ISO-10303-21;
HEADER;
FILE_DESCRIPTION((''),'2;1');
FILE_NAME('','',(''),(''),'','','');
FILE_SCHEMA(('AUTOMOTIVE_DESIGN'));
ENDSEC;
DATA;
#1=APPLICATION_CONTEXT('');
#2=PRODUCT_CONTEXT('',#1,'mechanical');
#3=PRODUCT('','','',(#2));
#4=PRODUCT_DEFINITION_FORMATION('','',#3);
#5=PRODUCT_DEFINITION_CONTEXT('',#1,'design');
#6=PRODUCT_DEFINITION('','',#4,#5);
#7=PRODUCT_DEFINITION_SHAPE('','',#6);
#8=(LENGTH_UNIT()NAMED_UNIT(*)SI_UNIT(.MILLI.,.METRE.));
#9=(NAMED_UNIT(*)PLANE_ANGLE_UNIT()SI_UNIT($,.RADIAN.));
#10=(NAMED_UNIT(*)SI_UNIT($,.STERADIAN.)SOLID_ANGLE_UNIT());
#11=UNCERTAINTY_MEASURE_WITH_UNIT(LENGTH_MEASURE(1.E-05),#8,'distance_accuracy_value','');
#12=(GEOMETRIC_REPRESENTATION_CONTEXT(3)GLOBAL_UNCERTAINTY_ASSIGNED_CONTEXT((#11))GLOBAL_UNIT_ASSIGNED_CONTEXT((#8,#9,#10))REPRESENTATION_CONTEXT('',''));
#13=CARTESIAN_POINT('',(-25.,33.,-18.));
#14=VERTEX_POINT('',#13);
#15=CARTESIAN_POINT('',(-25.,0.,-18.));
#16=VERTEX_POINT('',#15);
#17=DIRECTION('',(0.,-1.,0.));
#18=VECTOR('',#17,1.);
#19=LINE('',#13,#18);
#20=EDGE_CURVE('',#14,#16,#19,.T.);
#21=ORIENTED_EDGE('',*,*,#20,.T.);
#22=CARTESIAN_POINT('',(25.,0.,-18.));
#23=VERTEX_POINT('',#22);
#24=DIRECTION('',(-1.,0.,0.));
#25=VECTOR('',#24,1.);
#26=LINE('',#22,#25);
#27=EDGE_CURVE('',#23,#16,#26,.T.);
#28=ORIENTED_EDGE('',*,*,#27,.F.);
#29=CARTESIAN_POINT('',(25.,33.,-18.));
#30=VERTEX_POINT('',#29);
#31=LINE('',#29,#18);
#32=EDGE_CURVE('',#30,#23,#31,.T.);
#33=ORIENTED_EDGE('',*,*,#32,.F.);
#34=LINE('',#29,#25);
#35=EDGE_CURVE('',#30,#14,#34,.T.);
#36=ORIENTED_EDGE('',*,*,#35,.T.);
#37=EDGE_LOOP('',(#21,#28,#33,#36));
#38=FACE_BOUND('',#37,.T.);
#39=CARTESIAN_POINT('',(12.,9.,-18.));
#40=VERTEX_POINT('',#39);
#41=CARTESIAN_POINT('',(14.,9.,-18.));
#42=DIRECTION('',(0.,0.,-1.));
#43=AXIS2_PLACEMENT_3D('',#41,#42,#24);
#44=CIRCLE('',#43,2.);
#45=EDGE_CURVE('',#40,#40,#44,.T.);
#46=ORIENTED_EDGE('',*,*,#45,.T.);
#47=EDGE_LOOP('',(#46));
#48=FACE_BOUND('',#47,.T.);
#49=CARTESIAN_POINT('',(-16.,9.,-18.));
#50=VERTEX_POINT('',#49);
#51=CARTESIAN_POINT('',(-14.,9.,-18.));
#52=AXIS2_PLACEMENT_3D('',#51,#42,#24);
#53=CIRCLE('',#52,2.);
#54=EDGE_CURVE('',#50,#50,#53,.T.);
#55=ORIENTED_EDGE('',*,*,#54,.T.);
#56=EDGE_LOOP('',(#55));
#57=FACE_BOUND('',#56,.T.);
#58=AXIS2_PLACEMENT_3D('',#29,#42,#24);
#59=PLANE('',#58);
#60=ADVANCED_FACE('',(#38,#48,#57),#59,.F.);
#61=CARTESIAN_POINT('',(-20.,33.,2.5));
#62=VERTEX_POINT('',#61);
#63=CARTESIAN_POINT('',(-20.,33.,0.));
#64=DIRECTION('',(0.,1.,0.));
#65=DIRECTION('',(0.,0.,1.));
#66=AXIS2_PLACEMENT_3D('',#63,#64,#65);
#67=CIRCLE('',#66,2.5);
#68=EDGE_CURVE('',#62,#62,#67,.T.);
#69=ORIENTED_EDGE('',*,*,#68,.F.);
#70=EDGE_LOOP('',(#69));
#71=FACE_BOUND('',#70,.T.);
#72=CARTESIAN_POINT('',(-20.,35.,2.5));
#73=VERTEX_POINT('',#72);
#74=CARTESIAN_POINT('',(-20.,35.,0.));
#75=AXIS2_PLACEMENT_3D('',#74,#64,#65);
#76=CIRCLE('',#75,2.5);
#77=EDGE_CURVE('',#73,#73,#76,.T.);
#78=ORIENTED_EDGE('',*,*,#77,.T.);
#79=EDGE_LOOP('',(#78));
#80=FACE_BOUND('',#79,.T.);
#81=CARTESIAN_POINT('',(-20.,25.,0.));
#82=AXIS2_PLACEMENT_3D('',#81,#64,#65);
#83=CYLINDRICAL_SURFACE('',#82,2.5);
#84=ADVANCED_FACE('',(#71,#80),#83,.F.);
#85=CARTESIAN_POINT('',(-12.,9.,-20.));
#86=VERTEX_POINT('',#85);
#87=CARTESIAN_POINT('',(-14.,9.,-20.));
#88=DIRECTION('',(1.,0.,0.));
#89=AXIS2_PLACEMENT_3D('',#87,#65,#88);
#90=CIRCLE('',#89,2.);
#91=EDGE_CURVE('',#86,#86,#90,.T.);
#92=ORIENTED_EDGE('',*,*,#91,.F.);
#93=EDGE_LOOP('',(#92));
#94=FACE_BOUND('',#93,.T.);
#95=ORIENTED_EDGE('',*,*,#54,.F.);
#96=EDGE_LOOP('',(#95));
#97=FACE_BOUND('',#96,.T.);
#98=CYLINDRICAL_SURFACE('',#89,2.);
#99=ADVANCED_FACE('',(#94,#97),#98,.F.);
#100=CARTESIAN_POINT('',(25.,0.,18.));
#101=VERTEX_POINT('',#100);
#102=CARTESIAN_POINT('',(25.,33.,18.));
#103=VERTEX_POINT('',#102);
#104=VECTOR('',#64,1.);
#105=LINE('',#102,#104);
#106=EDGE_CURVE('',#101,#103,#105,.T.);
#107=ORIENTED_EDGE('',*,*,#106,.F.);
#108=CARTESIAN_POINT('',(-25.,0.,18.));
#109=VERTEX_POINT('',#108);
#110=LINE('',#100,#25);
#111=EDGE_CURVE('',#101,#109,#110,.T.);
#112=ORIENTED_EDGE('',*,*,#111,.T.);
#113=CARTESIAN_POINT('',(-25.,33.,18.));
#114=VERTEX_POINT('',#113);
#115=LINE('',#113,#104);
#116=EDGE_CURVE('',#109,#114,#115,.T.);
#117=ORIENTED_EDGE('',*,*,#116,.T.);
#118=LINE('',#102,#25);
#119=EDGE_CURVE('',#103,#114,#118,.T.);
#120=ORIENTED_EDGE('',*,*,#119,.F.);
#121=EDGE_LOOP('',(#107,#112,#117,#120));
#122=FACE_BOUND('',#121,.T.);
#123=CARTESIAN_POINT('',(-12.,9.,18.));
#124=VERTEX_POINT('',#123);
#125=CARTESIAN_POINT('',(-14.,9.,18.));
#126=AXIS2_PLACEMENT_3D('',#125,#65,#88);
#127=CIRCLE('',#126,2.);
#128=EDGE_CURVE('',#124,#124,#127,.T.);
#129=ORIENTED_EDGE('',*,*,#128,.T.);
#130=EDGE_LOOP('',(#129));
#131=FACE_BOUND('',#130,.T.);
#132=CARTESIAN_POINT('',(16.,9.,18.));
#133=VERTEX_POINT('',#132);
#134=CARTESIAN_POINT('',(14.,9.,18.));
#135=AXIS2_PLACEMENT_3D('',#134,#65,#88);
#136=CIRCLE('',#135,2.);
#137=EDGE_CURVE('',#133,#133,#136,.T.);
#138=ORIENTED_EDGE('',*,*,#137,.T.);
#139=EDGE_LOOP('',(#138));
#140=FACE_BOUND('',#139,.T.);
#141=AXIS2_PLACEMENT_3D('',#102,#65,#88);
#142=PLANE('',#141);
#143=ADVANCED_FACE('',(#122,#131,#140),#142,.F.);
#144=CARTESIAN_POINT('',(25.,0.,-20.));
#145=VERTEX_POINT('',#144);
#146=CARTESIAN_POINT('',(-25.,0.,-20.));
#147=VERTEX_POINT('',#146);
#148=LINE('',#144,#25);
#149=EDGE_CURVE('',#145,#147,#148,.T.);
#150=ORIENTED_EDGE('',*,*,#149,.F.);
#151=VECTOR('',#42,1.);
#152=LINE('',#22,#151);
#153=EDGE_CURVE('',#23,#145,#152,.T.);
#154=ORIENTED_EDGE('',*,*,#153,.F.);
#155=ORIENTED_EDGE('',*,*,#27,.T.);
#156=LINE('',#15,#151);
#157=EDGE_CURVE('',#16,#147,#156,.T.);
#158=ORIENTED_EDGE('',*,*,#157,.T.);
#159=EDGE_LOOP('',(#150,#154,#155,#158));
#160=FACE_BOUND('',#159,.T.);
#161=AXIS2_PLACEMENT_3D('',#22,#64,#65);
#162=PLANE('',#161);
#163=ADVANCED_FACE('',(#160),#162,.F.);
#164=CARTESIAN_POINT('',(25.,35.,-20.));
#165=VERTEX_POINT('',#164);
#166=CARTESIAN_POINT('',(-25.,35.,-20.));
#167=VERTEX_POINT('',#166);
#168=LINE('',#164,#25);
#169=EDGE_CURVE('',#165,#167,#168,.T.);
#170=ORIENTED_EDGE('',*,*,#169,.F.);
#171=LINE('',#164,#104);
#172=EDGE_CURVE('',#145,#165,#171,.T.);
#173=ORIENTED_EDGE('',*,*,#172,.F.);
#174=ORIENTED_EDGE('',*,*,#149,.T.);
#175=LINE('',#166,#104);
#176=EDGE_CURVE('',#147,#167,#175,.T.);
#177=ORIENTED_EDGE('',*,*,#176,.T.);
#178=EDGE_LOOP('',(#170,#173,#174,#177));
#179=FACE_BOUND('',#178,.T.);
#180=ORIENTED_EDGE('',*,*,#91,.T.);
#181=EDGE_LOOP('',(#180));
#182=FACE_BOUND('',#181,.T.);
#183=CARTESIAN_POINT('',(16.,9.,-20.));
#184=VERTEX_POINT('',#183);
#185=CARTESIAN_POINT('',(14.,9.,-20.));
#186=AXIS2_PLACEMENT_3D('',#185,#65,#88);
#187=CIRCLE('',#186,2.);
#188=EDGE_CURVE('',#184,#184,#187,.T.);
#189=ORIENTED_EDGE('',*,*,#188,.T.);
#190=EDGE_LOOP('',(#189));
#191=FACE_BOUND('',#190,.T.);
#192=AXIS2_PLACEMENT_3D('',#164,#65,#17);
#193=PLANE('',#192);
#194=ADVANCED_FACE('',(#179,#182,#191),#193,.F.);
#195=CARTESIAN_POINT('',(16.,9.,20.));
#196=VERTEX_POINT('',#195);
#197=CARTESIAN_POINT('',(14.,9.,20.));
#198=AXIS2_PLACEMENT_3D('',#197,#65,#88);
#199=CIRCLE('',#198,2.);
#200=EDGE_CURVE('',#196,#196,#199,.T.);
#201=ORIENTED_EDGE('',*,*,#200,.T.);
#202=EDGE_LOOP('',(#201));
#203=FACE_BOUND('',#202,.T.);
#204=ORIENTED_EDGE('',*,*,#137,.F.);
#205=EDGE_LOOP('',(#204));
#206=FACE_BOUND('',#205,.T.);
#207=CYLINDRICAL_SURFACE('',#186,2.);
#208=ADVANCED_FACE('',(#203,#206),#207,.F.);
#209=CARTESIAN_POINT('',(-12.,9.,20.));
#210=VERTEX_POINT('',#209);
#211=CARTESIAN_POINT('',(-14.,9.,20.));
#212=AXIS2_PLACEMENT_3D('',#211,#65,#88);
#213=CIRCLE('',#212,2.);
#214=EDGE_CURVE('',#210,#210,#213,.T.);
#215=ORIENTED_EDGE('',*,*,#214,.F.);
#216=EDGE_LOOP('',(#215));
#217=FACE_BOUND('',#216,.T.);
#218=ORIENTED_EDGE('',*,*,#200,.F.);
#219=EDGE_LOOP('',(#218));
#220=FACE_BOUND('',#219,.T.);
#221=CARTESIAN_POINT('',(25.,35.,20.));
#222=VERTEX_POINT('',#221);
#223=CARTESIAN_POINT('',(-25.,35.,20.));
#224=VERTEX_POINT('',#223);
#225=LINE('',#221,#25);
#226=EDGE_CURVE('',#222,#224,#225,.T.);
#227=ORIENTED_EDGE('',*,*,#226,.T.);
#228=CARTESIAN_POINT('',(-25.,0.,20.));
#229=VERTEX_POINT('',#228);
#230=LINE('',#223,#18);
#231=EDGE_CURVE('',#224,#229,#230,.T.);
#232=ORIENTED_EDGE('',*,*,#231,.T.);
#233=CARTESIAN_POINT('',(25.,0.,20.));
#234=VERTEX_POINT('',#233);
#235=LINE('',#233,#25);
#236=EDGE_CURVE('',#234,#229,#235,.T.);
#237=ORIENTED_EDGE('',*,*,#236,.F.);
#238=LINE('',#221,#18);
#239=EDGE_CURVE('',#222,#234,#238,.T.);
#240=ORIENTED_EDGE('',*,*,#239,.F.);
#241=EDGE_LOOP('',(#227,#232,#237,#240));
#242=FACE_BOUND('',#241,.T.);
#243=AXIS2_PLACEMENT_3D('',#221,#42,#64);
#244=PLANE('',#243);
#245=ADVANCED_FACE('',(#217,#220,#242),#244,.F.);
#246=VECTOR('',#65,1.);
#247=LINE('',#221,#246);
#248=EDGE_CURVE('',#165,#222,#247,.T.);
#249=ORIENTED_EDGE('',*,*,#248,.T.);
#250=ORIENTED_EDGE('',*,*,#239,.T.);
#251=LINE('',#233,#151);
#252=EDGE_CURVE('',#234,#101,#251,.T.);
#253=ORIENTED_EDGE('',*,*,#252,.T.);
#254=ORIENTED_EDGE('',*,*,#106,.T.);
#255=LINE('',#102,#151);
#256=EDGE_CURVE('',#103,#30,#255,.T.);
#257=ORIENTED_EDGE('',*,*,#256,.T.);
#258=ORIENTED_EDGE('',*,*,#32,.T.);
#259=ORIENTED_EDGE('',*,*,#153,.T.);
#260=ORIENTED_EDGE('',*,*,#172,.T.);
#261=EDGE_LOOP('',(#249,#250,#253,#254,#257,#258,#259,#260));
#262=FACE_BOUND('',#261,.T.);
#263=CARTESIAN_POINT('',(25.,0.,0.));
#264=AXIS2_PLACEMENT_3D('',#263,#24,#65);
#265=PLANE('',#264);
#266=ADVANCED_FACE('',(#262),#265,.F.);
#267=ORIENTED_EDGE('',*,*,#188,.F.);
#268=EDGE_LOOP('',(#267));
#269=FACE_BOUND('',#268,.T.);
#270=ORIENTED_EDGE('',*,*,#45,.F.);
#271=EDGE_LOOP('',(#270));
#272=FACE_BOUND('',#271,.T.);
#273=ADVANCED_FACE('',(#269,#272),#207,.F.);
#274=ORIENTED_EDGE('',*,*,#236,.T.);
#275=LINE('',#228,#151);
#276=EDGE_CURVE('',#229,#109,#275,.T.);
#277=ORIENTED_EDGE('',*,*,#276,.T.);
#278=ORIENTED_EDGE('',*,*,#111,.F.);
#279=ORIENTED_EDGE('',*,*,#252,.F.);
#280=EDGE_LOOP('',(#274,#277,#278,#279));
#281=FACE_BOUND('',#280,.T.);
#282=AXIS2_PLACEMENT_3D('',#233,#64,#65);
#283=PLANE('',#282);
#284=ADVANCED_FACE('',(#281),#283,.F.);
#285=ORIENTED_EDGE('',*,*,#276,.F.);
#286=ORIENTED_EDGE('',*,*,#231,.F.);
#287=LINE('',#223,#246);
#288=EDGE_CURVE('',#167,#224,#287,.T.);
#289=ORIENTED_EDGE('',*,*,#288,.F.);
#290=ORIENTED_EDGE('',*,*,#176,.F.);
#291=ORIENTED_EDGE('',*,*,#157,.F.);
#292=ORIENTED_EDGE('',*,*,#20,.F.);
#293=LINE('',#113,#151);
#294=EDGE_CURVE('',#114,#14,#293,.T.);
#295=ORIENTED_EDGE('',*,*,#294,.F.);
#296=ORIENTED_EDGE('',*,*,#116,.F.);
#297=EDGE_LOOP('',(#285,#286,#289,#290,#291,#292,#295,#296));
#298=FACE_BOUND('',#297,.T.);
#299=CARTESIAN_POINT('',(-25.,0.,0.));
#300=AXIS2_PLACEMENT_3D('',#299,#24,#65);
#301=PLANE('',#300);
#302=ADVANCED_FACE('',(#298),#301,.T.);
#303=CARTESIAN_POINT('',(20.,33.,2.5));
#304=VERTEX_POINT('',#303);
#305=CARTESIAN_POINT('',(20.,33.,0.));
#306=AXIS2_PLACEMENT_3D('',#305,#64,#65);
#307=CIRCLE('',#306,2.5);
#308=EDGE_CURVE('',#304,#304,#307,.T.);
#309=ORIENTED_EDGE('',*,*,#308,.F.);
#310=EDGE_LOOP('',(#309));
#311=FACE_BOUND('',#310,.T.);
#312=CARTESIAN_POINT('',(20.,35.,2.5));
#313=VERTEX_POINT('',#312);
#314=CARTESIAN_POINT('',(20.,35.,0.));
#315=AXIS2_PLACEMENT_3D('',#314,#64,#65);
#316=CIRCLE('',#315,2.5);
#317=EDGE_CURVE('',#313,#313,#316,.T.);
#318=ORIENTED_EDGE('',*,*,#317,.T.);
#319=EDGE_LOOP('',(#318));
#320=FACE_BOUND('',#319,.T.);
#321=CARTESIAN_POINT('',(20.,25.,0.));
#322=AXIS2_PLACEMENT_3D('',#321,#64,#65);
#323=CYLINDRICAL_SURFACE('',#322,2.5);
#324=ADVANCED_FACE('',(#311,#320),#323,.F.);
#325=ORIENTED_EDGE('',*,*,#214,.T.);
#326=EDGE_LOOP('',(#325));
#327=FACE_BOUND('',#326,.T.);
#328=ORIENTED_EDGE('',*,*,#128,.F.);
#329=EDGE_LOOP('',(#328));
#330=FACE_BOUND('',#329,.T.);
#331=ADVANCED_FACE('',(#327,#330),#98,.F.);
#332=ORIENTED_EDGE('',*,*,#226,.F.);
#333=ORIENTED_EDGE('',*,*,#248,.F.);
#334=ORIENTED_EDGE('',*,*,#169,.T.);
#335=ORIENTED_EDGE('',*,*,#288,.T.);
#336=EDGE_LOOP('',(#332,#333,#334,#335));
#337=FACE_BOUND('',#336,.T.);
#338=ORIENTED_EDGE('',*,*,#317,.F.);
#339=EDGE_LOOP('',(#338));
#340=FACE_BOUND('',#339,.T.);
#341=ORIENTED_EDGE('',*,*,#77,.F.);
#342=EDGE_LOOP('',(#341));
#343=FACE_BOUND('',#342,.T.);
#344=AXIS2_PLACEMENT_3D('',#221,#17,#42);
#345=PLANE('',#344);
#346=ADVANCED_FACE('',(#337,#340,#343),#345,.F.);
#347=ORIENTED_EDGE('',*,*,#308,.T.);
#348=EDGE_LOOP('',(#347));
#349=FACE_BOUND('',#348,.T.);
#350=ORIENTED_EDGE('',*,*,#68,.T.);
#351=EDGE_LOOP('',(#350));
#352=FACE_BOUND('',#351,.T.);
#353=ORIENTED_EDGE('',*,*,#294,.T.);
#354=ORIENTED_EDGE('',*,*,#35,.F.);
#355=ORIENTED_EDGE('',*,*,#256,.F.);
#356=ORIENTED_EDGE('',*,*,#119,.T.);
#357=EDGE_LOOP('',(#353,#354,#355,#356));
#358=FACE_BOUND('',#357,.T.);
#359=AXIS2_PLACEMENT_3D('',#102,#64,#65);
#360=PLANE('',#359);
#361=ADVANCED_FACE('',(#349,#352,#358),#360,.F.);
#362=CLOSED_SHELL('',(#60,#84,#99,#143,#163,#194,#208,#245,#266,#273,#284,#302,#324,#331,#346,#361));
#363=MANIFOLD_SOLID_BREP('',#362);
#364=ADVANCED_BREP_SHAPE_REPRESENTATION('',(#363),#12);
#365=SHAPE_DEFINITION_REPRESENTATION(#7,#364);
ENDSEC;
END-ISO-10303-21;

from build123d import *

# Parameters (mm, degrees)
EXTRUDE_1_DEPTH     = 25
SKETCH_2_R          = 2
CUT_EXTRUDE_1_DEPTH = 41
SKETCH_3_R          = 2.5
CUT_EXTRUDE_2_DEPTH = 10


with BuildPart() as part:
    # 草图1 → 凸台-拉伸1 (new body, symmetric)
    with BuildSketch(Plane(origin=(0, 0, 0), x_dir=(0, 0, -1), z_dir=(1, 0, 0))):
        Polygon((18, 33), (18, 0), (20, 0), (20, 35), (-20, 35), (-20, 0), (-18, 0), (-18, 33), align=None)
    extrude(amount=EXTRUDE_1_DEPTH, both=True)

    # 草图2 → 切除-拉伸1 (cut, through all)
    with BuildSketch(Plane.XY.offset(20)):
        with Locations((-14, 9)):
            Circle(SKETCH_2_R)
        with Locations((14, 9)):
            Circle(SKETCH_2_R)
    extrude(amount=-CUT_EXTRUDE_1_DEPTH, mode=Mode.SUBTRACT)

    # 草图3 → 切除-拉伸2 (cut)
    with BuildSketch(Plane(origin=(0, 35, 0), x_dir=(1, 0, 0), z_dir=(0, 1, 0))):
        with Locations((-20, 0)):
            Circle(SKETCH_3_R)
        with Locations((20, 0)):
            Circle(SKETCH_3_R)
    extrude(amount=-CUT_EXTRUDE_2_DEPTH, mode=Mode.SUBTRACT)


solid = part.part
